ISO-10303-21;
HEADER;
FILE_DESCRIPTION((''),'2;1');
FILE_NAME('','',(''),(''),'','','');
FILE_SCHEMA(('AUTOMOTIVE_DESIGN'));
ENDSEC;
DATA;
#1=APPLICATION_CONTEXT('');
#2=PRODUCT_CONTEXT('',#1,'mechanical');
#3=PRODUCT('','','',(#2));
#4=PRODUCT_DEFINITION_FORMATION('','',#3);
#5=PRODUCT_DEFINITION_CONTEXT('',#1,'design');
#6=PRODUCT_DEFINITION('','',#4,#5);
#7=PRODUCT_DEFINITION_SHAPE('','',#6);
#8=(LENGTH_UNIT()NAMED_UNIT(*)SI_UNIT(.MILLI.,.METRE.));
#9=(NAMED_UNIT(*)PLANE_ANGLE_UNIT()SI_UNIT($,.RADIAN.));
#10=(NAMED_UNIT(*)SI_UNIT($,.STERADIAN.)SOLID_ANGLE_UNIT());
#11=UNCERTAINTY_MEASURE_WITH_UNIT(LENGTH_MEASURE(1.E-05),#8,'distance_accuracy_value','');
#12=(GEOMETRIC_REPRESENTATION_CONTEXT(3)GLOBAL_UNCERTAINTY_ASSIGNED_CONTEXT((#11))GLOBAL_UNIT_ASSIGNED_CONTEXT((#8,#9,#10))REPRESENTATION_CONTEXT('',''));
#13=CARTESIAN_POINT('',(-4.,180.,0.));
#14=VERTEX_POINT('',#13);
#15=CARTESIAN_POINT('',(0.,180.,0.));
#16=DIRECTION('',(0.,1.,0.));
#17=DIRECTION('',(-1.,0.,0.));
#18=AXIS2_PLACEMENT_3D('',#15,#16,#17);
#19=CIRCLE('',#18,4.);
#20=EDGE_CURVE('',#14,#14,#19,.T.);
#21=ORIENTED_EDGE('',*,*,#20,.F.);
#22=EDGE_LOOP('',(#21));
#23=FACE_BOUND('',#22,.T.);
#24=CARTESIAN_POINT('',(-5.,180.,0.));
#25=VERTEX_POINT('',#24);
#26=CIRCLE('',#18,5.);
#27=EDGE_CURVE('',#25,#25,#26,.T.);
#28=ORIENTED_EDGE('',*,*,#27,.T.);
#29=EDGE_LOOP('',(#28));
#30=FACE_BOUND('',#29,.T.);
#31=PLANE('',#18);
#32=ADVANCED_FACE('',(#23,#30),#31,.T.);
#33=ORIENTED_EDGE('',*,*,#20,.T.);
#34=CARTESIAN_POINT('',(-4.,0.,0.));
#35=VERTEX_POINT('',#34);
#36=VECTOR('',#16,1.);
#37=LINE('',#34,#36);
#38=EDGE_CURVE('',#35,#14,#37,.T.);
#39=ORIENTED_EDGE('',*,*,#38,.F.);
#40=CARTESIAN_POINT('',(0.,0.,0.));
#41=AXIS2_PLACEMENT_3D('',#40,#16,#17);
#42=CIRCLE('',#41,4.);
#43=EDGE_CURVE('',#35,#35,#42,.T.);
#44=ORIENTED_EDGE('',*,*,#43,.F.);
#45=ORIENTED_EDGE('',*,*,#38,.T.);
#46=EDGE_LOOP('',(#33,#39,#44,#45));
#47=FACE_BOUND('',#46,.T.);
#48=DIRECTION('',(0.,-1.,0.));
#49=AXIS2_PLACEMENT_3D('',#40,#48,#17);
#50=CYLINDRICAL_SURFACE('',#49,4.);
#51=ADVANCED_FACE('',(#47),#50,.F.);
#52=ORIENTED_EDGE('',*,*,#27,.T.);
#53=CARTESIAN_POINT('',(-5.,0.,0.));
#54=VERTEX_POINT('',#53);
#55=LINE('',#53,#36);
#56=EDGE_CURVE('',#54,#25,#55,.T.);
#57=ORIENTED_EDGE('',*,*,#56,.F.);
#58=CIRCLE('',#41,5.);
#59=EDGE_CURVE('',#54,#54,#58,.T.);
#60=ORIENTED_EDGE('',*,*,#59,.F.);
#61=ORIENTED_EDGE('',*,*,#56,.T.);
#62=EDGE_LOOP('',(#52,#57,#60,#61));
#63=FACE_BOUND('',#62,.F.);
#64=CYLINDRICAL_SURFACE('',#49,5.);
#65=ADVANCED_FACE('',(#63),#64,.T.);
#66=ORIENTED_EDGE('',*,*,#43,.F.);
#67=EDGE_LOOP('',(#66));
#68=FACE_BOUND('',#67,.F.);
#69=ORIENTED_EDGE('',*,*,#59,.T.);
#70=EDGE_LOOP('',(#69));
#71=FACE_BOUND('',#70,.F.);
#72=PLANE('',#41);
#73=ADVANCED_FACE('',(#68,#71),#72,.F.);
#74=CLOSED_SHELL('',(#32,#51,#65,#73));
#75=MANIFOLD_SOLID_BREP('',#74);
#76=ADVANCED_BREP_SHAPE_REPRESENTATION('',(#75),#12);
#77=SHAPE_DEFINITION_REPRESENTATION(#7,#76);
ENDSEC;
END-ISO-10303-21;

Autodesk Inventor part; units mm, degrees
ref_plane "YZ Plane" through (0, 0, 0) normal (1, 0, 0) x (0, 1, 0)
ref_plane "XZ Plane" through (0, 0, 0) normal (0, 1, 0) x (-1, 0, 0)
ref_plane "XY Plane" through (0, 0, 0) normal (0, 0, 1) x (1, 0, 0)
sketch "Sketch1" plane through (0, 0, 0) normal (0, 1, 0) x (-1, 0, 0)
  circle A0 centre (0, 0) radius 5
  circle A1 centre (0, 0) radius 4
  dimension "d0" = 10
  dimension "d1" = 1
extrude "Extrusion1" add sketch "Sketch1" along normal blind 180
properties part number "bridge_1"
